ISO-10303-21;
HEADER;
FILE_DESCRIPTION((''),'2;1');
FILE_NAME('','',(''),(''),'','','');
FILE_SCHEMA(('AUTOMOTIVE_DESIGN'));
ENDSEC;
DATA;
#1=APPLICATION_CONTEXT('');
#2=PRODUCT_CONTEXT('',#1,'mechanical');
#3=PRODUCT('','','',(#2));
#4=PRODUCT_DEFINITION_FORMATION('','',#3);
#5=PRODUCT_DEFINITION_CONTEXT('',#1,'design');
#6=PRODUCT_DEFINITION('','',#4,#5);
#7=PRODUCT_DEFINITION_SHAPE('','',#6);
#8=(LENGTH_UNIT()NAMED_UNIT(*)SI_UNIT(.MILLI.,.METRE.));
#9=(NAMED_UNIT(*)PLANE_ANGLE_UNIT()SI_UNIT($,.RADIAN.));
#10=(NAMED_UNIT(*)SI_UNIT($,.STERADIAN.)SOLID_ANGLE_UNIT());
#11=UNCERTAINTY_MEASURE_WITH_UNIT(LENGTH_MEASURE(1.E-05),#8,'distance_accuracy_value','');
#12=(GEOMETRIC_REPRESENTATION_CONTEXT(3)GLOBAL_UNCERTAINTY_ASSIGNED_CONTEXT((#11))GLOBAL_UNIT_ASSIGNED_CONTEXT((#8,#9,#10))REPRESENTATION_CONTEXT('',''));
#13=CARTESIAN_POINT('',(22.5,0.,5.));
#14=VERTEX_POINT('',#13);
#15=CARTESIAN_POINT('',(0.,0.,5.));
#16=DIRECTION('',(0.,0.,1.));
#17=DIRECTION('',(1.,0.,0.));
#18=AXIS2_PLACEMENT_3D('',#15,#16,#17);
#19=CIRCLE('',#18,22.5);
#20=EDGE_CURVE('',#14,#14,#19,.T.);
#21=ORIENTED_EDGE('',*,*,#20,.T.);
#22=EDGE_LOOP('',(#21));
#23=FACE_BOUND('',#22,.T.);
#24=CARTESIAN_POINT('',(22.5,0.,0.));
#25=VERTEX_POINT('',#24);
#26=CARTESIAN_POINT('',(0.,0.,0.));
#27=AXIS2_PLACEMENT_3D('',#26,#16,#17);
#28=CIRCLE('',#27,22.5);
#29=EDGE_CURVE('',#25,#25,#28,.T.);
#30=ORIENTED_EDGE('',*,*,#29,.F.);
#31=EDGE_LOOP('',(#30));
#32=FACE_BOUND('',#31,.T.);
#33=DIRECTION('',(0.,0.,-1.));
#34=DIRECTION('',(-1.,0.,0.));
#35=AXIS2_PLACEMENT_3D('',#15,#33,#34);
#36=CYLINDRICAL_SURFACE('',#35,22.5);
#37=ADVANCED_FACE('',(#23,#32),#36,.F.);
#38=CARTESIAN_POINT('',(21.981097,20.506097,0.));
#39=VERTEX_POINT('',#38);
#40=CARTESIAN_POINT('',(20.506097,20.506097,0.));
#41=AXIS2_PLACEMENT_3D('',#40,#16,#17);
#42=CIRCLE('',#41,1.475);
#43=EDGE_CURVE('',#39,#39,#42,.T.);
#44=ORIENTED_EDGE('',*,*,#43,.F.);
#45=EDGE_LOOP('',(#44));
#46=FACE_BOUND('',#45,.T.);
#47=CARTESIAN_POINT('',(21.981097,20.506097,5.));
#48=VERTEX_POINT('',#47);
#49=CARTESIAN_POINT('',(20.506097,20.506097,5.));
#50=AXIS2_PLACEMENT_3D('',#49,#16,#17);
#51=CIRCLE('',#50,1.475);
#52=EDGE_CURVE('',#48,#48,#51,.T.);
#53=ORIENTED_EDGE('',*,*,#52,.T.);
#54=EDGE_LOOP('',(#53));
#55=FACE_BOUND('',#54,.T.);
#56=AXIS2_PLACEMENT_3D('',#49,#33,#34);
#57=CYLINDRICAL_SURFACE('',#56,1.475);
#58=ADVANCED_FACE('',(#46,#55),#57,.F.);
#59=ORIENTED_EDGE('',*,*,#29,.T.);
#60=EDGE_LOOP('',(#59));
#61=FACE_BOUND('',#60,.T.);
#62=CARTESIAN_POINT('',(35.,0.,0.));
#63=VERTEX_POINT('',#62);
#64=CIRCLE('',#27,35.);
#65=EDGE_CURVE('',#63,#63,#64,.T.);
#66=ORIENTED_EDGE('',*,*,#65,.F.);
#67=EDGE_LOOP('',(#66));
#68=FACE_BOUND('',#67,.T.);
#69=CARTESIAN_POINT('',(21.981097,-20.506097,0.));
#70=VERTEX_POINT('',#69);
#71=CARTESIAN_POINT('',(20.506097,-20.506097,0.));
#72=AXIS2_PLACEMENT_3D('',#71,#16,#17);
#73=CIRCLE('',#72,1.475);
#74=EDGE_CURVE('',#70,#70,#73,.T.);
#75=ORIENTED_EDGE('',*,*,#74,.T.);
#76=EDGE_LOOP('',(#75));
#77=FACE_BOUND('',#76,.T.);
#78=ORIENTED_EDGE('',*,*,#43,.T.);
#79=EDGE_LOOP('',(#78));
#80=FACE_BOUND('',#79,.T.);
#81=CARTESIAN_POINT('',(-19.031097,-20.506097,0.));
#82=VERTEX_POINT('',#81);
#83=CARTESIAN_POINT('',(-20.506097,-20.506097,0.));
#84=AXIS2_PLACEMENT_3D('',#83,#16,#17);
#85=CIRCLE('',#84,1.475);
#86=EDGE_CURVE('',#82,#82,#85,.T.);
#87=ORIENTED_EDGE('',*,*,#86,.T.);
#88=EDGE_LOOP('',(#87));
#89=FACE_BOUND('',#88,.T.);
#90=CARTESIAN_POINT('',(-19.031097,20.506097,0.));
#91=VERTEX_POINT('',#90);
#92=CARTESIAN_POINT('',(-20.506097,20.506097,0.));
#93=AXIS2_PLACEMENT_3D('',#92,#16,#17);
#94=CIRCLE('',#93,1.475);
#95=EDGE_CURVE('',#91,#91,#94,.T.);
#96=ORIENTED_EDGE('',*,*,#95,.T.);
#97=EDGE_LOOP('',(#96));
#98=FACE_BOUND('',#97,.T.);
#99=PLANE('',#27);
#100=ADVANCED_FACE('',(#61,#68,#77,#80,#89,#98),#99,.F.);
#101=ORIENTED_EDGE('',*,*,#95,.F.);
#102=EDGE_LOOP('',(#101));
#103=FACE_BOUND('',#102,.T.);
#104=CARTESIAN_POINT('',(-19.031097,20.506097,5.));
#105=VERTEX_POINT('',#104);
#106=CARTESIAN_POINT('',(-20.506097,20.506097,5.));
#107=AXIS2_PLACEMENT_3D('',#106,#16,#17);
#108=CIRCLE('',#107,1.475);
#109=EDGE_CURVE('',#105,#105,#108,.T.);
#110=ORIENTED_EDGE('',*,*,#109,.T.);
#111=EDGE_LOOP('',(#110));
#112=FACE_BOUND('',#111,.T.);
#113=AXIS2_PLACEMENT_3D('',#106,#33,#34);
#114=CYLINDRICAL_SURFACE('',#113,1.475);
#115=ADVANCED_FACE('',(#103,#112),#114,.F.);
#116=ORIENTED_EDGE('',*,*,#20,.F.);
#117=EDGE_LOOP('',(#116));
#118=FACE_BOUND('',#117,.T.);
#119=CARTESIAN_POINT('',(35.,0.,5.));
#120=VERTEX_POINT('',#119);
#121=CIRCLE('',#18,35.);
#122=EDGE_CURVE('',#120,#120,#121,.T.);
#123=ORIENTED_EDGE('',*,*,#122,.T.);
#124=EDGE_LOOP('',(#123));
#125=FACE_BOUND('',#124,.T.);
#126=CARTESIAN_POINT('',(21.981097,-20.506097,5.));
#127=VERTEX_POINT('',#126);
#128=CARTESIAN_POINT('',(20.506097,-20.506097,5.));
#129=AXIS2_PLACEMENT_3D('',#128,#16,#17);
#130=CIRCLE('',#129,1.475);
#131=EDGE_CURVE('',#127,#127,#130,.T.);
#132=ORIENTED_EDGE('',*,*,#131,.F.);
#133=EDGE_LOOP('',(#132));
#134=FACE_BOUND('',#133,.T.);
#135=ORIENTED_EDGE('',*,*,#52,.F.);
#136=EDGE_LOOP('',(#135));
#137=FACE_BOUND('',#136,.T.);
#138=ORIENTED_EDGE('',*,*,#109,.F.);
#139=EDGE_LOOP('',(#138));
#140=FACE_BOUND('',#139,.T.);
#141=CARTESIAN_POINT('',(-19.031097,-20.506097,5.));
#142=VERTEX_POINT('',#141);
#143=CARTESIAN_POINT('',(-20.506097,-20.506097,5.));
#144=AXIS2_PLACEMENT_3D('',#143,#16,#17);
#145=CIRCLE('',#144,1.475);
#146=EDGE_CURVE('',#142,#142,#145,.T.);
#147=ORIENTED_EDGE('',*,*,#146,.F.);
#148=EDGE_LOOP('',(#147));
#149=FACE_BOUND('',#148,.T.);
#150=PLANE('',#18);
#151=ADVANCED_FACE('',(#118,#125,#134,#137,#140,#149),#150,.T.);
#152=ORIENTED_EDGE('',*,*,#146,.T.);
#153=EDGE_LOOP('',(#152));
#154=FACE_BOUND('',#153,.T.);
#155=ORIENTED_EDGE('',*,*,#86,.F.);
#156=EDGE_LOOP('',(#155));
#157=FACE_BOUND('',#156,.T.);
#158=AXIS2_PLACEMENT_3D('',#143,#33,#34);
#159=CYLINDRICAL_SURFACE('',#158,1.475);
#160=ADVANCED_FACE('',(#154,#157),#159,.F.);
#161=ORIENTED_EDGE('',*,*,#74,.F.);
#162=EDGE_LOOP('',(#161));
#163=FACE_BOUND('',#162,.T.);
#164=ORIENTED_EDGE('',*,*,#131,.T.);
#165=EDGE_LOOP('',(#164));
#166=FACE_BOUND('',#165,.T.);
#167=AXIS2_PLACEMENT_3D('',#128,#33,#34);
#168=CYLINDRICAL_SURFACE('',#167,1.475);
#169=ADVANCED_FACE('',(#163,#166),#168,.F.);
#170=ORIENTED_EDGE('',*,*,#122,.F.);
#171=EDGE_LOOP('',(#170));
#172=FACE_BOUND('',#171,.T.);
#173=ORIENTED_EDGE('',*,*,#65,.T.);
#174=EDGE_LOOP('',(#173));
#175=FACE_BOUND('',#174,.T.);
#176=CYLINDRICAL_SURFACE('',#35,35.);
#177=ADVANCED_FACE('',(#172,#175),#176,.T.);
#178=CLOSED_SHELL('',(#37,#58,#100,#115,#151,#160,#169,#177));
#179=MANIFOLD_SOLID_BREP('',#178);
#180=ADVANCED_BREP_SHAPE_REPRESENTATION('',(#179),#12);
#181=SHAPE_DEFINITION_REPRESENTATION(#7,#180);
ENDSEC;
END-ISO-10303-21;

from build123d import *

# Parameters (mm, degrees)
SKETCH1_R           = 35
SKETCH1_R_2         = 22.5
SKETCH1_R_3         = 1.475
BOSS_EXTRUDE1_DEPTH = 5


with BuildPart() as part:
    # Sketch1 → Boss-Extrude1 (new body)
    with BuildSketch(Plane.XY):
        Circle(SKETCH1_R)
        Circle(SKETCH1_R_2, mode=Mode.SUBTRACT)
        with Locations((-20.506096654, 20.506096654)):
            Circle(SKETCH1_R_3, mode=Mode.SUBTRACT)
        with Locations((20.506096654, 20.506096654)):
            Circle(SKETCH1_R_3, mode=Mode.SUBTRACT)
        with Locations((20.506096654, -20.506096654)):
            Circle(SKETCH1_R_3, mode=Mode.SUBTRACT)
        with Locations((-20.506096654, -20.506096654)):
            Circle(SKETCH1_R_3, mode=Mode.SUBTRACT)
    extrude(amount=BOSS_EXTRUDE1_DEPTH)


solid = part.part
